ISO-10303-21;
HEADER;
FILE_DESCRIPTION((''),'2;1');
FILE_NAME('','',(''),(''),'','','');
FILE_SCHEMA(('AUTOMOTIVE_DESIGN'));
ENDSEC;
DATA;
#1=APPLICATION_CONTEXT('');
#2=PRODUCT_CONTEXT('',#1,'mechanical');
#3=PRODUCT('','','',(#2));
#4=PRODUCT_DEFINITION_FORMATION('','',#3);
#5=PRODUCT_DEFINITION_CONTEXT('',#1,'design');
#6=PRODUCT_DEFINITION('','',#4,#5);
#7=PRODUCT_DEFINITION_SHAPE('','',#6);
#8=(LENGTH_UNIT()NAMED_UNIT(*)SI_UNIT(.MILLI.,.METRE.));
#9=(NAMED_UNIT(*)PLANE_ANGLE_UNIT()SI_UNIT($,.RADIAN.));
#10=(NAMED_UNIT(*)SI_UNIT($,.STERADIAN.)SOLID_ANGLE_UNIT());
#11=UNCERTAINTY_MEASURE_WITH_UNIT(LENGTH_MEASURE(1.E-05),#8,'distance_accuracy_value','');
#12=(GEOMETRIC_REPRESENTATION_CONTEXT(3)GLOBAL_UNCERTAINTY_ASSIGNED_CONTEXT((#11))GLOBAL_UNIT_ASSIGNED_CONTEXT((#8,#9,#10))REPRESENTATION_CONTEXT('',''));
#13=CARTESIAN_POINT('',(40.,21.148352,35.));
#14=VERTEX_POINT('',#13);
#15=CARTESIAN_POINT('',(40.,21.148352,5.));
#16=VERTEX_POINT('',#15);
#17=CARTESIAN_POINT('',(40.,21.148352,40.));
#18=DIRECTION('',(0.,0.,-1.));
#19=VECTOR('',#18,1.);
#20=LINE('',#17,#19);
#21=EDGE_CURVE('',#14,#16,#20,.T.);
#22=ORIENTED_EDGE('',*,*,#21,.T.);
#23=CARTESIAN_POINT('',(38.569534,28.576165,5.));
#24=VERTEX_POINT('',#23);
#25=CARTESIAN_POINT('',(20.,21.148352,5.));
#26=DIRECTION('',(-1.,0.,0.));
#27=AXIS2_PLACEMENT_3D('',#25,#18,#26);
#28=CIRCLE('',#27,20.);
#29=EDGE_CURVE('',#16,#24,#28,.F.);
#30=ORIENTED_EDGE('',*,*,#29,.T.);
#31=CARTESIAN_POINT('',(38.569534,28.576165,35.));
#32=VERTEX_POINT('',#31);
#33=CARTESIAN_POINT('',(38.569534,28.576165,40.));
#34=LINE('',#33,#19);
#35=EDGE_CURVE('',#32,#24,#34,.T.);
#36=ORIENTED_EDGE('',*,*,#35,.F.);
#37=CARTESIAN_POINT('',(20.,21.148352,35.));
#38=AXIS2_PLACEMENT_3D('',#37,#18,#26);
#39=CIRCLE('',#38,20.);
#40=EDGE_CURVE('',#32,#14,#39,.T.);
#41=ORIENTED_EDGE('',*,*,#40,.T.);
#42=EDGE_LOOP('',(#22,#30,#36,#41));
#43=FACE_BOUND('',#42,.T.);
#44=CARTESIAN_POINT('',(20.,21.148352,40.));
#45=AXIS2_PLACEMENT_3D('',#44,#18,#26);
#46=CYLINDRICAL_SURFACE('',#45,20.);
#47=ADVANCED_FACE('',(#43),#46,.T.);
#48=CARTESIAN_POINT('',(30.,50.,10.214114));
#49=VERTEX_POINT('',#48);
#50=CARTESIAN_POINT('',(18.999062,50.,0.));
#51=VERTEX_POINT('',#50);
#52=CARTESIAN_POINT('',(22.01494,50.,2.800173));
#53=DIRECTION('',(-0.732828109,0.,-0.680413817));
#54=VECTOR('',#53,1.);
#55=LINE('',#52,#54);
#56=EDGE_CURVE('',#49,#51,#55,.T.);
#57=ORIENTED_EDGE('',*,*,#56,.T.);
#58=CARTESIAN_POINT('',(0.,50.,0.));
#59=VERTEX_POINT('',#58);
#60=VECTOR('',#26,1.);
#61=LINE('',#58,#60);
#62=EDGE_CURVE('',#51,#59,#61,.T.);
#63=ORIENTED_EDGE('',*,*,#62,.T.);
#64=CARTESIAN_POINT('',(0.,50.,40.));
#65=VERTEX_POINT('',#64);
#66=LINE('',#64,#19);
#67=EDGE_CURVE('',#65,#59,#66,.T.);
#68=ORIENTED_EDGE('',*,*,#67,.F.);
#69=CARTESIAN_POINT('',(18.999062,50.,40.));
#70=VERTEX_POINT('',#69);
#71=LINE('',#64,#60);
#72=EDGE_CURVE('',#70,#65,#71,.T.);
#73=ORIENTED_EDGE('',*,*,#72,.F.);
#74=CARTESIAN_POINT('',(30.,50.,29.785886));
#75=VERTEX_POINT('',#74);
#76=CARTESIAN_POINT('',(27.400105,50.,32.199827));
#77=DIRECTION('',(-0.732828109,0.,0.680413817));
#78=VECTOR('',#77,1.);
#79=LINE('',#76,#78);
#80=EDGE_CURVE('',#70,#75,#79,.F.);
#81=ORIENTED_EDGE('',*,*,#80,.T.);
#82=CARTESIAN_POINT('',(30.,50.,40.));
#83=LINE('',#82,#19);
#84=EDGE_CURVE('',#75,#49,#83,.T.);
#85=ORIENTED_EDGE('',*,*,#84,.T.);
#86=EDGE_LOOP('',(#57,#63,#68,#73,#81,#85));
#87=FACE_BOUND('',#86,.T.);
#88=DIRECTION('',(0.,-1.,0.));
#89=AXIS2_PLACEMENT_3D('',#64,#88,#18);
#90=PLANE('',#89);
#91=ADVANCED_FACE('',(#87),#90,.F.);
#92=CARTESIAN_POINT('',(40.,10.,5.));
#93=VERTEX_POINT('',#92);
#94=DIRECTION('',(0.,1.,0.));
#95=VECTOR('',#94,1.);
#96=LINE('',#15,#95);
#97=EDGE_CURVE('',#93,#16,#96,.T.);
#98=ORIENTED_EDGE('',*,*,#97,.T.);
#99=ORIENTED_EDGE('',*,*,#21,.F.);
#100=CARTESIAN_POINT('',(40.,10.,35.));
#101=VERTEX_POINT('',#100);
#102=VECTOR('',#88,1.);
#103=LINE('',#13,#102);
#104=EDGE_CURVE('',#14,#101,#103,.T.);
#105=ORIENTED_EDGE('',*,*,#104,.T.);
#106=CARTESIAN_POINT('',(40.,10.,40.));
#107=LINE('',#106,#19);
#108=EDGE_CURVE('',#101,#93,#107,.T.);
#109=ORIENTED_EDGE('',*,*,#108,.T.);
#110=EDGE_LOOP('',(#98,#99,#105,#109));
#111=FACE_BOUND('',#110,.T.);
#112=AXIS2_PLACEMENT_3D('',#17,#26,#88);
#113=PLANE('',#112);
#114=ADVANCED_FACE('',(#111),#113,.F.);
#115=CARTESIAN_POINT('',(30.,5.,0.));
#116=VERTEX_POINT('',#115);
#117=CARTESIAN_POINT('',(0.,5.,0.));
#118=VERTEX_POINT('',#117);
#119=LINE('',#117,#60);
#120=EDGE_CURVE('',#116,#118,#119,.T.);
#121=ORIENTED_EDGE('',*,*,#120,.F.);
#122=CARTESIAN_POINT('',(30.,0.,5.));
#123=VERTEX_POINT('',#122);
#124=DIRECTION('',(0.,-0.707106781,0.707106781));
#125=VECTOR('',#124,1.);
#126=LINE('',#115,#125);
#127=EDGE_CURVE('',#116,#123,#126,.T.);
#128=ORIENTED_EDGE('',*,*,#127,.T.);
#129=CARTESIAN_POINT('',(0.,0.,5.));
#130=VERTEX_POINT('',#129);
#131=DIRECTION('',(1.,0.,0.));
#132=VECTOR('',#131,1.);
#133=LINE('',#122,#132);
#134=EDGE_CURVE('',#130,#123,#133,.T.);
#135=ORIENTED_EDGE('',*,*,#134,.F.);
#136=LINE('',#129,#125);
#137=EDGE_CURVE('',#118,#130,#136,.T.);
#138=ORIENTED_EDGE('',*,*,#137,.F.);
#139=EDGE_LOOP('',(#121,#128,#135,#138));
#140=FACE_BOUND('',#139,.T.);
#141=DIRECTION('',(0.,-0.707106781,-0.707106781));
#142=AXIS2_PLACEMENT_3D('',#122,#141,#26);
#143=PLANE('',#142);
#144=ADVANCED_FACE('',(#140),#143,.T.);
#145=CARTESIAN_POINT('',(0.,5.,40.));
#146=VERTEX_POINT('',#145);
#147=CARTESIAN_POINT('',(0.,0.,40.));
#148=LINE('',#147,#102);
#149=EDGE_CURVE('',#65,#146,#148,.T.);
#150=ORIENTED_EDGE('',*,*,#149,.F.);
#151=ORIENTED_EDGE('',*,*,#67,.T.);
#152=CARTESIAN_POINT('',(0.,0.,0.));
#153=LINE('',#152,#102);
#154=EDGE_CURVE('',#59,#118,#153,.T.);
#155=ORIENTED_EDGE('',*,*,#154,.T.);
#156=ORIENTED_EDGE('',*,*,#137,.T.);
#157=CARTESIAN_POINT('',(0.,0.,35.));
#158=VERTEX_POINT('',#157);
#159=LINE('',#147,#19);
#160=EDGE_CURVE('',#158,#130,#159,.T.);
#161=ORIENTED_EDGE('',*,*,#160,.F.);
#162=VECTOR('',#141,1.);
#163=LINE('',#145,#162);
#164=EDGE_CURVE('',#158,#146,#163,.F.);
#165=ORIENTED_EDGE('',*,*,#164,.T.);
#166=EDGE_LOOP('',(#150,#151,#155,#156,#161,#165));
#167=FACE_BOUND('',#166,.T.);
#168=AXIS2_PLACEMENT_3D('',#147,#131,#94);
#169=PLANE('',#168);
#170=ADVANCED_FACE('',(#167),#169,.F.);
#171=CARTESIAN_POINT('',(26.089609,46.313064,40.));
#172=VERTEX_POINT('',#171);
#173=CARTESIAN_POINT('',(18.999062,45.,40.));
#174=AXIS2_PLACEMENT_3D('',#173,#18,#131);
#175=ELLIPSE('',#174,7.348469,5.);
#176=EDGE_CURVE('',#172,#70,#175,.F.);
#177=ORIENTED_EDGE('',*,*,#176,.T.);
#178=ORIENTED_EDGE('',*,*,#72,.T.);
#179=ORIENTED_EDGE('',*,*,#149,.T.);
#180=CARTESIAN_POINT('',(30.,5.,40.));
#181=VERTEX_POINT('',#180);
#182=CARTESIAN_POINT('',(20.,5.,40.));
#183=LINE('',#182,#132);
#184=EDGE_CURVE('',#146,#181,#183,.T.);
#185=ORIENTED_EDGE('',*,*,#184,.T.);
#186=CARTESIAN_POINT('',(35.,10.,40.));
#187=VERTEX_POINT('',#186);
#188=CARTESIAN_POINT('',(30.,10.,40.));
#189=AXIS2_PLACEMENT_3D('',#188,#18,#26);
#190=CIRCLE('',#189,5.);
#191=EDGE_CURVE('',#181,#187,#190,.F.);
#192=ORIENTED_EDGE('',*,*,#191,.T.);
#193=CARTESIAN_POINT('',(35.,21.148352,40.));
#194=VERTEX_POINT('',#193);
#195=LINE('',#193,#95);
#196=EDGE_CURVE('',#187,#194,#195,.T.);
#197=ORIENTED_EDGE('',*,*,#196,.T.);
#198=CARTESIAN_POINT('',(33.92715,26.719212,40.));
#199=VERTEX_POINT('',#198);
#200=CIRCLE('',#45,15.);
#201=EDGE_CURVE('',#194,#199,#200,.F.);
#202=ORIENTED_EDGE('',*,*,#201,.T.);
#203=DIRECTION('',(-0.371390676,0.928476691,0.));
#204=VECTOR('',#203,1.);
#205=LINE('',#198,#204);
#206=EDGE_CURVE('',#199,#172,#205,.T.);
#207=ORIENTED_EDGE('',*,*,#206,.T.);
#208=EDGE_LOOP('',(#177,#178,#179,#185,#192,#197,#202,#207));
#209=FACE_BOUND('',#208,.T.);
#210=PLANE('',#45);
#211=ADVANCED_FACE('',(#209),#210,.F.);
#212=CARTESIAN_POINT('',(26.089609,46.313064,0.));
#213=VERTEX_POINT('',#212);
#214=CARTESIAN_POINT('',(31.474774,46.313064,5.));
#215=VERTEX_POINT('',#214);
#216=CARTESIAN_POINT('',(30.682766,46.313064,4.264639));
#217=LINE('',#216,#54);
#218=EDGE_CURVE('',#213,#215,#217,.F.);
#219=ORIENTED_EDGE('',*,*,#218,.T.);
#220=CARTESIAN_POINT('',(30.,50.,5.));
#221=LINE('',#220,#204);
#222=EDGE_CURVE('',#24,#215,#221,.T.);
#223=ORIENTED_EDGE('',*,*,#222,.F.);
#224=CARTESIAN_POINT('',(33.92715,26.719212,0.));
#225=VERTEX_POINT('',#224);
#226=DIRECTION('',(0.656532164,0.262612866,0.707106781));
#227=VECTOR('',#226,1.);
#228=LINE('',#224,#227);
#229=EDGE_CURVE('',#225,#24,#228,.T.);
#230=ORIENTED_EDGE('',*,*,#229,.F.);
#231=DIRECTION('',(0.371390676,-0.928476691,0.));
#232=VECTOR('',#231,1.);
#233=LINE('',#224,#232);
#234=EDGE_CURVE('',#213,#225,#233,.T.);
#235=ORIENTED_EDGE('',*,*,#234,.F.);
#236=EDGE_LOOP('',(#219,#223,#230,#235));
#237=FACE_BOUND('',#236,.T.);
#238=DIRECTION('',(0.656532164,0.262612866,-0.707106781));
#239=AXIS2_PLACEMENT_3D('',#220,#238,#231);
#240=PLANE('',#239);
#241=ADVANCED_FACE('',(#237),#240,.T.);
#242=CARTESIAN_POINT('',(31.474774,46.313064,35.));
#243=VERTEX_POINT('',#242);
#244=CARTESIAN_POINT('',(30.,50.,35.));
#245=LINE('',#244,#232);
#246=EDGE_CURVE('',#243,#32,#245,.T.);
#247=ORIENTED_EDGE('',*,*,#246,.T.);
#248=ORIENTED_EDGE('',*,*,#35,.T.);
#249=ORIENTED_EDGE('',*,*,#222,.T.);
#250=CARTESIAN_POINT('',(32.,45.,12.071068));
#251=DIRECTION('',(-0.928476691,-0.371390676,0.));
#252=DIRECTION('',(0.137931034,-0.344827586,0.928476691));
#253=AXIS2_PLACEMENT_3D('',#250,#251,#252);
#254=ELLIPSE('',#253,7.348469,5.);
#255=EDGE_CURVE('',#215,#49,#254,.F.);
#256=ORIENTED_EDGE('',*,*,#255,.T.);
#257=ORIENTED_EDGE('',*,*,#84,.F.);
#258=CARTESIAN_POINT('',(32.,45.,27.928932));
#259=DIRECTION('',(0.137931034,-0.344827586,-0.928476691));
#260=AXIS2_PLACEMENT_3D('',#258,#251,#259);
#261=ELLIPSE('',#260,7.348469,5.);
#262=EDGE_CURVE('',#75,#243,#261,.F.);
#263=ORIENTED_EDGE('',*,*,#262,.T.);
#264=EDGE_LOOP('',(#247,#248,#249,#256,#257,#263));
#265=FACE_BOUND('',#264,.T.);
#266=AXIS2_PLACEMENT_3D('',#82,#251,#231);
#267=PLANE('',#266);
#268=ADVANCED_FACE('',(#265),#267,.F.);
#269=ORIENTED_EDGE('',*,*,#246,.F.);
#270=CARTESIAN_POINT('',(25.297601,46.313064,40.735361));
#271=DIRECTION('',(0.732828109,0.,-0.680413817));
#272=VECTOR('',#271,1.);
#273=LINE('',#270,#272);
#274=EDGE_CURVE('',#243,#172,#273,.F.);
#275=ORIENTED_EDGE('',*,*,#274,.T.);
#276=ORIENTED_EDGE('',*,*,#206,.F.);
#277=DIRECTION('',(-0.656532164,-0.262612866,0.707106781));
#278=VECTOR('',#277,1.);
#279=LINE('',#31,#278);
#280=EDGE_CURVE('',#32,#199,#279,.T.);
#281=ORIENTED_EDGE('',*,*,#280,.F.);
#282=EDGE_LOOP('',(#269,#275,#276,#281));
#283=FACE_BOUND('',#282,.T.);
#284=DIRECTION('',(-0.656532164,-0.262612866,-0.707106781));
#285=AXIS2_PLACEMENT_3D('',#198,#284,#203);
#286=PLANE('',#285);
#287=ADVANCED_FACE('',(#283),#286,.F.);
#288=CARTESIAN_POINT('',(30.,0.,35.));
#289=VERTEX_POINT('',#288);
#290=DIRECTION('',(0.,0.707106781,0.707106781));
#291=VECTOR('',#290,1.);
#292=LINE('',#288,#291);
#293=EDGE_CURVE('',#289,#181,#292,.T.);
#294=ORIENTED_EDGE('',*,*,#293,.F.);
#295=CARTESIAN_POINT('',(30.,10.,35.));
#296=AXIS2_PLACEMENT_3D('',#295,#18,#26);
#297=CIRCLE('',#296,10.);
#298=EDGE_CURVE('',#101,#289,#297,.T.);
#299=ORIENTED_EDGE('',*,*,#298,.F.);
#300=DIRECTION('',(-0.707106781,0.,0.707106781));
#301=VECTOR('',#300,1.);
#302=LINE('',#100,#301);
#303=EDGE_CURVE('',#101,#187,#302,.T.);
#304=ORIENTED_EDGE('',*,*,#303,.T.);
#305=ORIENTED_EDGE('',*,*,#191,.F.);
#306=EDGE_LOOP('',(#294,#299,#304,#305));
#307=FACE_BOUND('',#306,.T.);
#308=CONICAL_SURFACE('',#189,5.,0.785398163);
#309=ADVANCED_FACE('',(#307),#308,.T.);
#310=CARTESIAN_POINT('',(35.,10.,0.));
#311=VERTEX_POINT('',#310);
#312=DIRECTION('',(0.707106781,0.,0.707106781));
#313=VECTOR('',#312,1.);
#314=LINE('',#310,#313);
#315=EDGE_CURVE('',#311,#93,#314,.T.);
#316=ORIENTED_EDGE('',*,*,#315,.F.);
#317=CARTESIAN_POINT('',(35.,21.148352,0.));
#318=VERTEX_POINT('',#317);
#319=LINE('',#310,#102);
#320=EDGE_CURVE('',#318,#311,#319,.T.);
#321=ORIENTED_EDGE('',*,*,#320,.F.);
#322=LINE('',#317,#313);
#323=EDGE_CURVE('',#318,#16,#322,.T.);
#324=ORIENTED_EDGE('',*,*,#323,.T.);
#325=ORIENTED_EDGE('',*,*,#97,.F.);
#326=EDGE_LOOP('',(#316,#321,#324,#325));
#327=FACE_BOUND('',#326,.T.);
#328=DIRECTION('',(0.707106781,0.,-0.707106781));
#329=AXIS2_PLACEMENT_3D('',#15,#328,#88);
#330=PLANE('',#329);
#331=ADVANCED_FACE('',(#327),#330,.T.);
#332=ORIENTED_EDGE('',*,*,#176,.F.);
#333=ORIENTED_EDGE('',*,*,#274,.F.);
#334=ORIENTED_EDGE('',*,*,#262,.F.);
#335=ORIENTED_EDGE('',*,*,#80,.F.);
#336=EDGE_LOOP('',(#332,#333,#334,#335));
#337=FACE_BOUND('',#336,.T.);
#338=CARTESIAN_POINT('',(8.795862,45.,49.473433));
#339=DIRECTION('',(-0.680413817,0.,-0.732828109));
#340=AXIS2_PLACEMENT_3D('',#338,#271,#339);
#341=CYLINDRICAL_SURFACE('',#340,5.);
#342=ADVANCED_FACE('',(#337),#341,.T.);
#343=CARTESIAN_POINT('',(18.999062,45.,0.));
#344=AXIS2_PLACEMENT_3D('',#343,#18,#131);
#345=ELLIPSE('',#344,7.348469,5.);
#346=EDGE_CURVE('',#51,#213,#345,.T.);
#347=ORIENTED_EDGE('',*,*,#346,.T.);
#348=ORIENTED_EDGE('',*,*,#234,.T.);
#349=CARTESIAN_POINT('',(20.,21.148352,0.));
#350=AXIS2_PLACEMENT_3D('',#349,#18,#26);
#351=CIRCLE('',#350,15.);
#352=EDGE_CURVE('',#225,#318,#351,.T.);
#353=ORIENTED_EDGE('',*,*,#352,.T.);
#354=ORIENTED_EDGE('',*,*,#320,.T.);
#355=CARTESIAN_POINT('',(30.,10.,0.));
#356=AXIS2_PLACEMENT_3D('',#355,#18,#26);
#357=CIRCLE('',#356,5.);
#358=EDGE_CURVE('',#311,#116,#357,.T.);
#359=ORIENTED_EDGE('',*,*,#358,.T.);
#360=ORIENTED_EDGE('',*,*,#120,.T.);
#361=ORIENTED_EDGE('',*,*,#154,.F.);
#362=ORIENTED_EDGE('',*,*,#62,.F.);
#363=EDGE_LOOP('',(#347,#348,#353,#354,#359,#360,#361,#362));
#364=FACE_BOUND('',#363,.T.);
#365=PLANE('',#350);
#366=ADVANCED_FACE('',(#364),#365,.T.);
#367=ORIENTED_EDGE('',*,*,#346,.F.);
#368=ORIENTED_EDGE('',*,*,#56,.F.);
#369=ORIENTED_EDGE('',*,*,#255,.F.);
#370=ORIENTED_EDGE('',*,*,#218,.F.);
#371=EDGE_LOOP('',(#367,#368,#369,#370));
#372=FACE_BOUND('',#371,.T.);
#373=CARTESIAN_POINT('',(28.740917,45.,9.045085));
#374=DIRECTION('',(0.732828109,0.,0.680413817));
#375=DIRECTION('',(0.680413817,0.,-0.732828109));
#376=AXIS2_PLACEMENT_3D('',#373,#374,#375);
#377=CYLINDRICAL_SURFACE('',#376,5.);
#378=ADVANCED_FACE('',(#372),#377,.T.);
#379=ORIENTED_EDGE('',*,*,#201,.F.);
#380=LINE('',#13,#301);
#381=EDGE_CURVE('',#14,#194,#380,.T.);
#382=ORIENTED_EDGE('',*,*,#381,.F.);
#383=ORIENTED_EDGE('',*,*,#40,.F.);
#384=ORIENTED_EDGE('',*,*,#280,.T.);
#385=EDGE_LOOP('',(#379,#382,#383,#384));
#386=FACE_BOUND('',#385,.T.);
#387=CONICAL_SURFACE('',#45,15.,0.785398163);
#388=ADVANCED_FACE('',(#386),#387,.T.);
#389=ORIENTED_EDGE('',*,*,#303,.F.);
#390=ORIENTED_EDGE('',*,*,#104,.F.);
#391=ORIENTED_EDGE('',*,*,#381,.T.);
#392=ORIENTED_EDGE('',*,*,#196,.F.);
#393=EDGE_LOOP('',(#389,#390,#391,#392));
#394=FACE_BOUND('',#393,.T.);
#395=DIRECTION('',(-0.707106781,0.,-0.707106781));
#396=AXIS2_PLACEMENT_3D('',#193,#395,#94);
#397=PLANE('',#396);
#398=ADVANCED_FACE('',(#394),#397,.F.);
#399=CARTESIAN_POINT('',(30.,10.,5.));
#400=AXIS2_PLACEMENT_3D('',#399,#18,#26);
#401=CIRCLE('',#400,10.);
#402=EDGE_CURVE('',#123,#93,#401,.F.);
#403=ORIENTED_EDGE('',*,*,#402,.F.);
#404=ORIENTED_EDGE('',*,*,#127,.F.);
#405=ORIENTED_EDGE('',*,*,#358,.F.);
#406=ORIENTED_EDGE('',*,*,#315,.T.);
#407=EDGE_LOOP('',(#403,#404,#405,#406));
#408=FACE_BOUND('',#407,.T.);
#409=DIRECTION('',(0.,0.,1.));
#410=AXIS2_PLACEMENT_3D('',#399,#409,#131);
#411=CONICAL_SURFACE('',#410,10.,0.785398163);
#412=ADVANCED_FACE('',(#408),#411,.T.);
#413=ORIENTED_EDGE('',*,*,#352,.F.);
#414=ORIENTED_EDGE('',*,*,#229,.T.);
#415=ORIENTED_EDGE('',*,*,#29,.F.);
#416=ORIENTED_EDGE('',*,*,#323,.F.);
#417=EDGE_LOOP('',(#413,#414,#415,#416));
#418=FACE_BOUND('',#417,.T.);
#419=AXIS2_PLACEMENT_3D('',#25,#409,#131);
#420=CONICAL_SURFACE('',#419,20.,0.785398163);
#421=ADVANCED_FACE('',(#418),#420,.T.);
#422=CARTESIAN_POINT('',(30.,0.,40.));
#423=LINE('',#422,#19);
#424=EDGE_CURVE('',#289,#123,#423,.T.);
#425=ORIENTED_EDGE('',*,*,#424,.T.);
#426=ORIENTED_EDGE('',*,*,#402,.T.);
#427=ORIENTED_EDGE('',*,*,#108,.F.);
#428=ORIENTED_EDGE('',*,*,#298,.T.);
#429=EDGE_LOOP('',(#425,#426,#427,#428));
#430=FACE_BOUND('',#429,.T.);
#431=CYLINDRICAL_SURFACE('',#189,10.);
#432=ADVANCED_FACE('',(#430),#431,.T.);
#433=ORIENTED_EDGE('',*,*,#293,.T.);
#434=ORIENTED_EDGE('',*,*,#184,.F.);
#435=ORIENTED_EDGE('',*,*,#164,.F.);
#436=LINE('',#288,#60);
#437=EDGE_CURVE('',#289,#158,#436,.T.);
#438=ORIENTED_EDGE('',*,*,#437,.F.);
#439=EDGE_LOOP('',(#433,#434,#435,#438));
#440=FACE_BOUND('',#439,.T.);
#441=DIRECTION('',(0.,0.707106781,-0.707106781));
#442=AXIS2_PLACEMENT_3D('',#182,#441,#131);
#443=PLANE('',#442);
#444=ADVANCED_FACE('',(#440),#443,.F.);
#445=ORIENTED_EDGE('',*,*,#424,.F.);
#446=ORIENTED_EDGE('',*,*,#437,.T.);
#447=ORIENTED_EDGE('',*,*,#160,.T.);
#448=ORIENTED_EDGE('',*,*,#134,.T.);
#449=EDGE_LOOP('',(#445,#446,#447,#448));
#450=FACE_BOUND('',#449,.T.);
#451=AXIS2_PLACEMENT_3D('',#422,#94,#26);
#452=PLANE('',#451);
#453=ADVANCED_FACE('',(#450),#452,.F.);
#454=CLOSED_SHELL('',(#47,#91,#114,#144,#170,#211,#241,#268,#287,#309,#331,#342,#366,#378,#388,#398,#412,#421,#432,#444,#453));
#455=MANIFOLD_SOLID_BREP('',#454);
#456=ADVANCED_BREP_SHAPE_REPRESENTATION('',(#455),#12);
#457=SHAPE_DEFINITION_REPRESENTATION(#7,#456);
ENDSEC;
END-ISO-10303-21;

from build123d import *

# Parameters (mm, degrees)
BOSS_EXTRUDE2_DEPTH = 40
CHAMFER2_SIZE       = 5
FILLET2_R           = 5


with BuildPart() as part:
    # Sketch2 → Boss-Extrude2 (new body)
    with BuildSketch(Plane.XY):
        with BuildLine():
            Line((0, 0), (0, 50))
            Line((0, 50), (30, 50))
            Line((30, 50), (38.569533818, 28.576165456))
            ThreePointArc((38.569533818, 28.576165456), (39.639127735, 24.930502352), (40, 21.148351929))
            Line((40, 21.148351929), (40, 10))
            ThreePointArc((40, 10), (37.071067812, 2.928932188), (30, 0))
            Line((30, 0), (0, 0))
        make_face()
    extrude(amount=BOSS_EXTRUDE2_DEPTH)

    # Chamfer2
    chamfer2_edges = [part.edges().sort_by_distance(p)[0] for p in [
        (15, 0, 0),
        (40, 15.574175964, 40),
        (39.639127735, 24.930502352, 40),
        (34.284766909, 39.288082728, 40),
        (15, 0, 40),
        (34.284766909, 39.288082728, 0),
        (39.639127735, 24.930502352, 0),
        (37.071067812, 2.928932188, 40),
        (40, 15.574175964, 0),
        (37.071067812, 2.928932188, 0),
    ]]
    chamfer(chamfer2_edges, length=CHAMFER2_SIZE)

    # Fillet2
    fillet2_edges = [part.edges().sort_by_distance(p)[0] for p in [
        (27.307417596, 50, 37.5),
        (27.307417596, 50, 2.5),
    ]]
    fillet(fillet2_edges, radius=FILLET2_R)


solid = part.part
